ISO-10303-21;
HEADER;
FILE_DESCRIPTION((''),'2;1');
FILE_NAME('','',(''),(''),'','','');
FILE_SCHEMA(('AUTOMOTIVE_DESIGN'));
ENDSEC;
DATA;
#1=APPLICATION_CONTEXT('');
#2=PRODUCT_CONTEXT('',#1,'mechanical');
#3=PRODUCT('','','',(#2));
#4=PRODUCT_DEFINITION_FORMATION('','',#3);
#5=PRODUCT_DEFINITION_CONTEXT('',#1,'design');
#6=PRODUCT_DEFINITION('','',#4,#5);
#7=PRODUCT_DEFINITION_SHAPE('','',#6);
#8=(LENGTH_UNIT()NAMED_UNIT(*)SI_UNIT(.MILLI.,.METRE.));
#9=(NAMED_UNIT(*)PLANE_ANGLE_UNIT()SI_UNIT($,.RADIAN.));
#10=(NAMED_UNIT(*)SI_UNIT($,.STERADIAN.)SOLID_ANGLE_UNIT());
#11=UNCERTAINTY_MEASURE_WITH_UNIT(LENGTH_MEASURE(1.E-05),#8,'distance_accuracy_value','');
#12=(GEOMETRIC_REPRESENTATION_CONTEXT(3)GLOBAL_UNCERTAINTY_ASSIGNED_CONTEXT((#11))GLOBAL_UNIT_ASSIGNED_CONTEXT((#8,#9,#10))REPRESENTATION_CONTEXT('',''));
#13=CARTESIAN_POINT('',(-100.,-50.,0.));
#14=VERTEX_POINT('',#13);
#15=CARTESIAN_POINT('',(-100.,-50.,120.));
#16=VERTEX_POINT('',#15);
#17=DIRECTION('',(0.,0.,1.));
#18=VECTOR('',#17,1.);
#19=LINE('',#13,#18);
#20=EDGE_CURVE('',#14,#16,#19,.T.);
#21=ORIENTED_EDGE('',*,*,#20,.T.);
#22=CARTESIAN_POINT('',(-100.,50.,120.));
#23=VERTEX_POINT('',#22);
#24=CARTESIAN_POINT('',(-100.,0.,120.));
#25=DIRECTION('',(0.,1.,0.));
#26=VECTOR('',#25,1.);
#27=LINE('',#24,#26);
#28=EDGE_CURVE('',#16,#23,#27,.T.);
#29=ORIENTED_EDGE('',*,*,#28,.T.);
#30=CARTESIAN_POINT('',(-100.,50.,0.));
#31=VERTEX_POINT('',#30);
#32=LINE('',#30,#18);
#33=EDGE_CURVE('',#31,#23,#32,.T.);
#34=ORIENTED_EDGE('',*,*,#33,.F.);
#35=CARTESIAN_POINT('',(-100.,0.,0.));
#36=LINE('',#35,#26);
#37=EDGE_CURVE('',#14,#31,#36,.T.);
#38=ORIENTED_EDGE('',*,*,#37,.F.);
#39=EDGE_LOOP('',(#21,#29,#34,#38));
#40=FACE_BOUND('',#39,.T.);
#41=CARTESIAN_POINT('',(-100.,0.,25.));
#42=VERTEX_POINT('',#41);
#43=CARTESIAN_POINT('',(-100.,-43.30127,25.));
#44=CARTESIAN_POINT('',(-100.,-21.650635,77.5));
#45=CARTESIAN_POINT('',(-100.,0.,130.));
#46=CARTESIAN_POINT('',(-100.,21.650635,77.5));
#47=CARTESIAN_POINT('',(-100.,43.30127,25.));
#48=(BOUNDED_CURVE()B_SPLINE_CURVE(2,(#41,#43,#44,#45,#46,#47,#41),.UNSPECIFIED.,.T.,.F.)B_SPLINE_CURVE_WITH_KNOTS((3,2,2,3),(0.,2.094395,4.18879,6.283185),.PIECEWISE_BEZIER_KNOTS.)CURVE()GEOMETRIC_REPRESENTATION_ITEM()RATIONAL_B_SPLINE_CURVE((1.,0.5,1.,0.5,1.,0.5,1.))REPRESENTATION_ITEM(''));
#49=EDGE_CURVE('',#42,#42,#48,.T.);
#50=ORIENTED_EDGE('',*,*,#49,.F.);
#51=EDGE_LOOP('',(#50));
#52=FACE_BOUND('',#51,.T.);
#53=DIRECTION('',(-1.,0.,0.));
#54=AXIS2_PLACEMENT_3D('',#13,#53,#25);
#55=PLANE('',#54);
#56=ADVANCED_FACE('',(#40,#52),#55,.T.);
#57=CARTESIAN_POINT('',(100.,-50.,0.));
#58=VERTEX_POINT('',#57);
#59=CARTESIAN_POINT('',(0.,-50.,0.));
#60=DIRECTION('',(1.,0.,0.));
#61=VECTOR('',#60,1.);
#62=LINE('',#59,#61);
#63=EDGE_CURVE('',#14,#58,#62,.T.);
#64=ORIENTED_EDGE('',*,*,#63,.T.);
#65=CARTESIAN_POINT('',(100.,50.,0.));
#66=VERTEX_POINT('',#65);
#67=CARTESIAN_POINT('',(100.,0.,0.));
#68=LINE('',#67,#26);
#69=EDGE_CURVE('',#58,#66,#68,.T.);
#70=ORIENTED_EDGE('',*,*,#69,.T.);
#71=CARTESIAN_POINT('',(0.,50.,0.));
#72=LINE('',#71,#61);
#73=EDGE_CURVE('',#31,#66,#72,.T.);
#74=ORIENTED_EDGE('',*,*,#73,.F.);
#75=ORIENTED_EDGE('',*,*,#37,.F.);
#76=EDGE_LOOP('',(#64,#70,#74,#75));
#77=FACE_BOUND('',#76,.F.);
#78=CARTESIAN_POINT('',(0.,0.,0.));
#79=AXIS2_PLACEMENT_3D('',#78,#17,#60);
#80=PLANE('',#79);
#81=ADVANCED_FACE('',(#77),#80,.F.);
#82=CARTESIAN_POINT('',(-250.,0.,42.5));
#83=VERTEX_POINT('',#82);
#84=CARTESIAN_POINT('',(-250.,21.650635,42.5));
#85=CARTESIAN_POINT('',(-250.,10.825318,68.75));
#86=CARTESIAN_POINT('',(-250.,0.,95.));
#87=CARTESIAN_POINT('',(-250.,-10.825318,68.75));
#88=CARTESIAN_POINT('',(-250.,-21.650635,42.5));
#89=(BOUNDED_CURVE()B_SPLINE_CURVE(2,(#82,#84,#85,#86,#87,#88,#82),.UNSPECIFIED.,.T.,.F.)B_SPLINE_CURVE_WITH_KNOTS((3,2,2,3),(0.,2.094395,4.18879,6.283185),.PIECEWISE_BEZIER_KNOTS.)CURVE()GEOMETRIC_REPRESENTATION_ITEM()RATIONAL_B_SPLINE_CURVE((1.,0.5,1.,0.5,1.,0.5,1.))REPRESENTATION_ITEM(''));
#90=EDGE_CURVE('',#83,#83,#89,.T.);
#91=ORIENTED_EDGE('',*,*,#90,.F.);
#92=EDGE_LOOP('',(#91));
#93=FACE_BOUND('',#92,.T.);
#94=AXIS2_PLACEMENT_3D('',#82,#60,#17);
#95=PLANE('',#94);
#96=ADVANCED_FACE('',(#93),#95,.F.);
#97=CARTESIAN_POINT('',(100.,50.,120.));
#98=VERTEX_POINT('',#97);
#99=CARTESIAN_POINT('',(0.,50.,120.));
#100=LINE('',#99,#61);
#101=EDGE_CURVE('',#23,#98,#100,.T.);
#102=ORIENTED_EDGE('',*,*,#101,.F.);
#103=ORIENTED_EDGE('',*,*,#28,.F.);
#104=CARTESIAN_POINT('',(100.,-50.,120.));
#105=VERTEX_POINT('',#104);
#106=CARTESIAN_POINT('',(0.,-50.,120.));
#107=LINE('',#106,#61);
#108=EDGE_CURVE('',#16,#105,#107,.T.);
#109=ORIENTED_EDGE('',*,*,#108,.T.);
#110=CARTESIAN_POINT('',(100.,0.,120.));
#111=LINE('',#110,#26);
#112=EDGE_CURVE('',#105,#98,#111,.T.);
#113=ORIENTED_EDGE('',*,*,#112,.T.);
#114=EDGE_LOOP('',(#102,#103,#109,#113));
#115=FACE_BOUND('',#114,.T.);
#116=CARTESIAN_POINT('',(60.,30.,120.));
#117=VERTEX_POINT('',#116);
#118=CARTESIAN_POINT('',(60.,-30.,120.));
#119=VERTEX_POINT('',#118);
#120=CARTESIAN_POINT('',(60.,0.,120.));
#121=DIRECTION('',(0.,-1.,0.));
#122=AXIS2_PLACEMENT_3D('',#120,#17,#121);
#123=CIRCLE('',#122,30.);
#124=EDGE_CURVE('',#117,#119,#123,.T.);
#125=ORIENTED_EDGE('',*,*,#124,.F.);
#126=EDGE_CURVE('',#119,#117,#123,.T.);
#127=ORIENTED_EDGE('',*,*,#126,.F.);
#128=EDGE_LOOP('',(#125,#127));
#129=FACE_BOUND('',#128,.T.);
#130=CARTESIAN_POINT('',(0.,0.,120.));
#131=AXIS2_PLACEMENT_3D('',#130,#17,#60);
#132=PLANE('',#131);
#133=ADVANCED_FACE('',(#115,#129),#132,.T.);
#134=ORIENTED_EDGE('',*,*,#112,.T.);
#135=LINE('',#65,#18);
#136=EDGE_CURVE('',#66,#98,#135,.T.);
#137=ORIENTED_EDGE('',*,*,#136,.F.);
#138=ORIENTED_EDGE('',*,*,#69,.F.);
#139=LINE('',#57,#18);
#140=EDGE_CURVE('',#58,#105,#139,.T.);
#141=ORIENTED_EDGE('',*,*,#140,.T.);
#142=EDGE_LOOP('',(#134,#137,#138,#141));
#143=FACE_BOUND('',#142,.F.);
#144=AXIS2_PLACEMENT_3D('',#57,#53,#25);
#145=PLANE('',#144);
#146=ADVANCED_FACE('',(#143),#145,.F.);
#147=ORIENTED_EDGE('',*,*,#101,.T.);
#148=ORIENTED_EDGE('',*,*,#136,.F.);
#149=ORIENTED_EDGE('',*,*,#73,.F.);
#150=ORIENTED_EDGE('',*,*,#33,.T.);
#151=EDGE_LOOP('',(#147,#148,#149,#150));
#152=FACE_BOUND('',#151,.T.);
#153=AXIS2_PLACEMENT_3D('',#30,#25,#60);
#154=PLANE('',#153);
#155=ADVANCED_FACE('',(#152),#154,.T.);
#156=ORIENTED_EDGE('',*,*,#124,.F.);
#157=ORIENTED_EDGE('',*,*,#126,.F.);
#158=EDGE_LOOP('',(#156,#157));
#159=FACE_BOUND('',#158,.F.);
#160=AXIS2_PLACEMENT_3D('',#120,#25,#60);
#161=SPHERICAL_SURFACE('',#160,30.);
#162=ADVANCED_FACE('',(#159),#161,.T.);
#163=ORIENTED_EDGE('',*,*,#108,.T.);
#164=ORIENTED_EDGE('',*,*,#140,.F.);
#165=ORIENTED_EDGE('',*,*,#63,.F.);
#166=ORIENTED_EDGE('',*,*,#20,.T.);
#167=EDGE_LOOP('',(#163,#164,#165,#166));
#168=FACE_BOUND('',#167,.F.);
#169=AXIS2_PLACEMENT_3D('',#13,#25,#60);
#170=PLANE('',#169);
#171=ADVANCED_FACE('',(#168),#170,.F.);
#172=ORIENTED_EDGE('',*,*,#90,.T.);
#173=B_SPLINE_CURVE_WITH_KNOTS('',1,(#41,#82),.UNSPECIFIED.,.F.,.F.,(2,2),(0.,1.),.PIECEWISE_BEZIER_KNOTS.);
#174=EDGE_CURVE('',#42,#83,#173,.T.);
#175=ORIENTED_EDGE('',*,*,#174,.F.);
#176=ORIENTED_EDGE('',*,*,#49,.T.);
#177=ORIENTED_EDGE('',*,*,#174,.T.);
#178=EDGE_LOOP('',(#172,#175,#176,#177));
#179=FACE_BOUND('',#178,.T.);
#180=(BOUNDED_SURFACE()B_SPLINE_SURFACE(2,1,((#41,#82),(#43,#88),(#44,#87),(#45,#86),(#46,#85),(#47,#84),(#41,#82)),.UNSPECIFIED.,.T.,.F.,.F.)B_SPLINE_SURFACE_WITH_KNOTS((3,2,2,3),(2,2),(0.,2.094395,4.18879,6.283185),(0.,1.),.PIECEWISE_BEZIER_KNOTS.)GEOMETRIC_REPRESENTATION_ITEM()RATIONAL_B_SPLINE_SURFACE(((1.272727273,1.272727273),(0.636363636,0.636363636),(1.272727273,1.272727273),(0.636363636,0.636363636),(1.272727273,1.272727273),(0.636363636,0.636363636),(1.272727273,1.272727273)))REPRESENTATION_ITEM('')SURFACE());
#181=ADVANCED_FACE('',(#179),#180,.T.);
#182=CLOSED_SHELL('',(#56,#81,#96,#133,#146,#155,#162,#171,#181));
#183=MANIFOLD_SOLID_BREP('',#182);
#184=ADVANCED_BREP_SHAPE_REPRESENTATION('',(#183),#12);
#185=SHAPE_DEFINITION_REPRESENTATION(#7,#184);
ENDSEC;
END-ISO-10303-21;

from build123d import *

# Parameters (mm, degrees)
F0_W     = 200
F0_H     = 100
F1_DEPTH = 120


with BuildPart() as f1:
    # F0 (on Top) → F1 (new body)
    with BuildSketch(Plane.XY):
        Rectangle(F0_W, F0_H)
    extrude(amount=F1_DEPTH)

    # F2 (on face) → F3 (revolve)
    with BuildSketch(Plane.XY.offset(120)):
        with BuildLine():
            Line((60, 30), (60, -30))
            ThreePointArc((60, -30), (90, 0), (60, 30))
        make_face()
    revolve(axis=Axis((60, 0, 120), (0, -1, 0)))

    # F4 (on face) → F7 section 0
    with BuildSketch(Plane(origin=(-100, 0, 0), x_dir=(0, -1, 0), z_dir=(-1, 0, 0))):
        with BuildLine():
            add(Edge.make_bspline(
                [(0, 25), (43.30127, 25), (21.650635, 77.5), (0, 130), (-21.650635, 77.5), (-43.30127, 25), (0, 25)],
                knots=[0, 0, 0, 2.094395, 2.094395, 4.18879, 4.18879, 6.283185, 6.283185, 6.283185], degree=2, weights=[1, 0.5, 1, 0.5, 1, 0.5, 1]))
        make_face()
    # F6 (on offset) → F7 section 1
    with BuildSketch(Plane.YZ.offset(-250)):
        with BuildLine():
            add(Edge.make_bspline(
                [(0, 42.5), (21.650635, 42.5), (10.825318, 68.75), (0, 95), (-10.825318, 68.75), (-21.650635, 42.5), (0, 42.5)],
                knots=[0, 0, 0, 2.094395, 2.094395, 4.18879, 4.18879, 6.283185, 6.283185, 6.283185], degree=2, weights=[1, 0.5, 1, 0.5, 1, 0.5, 1]))
        make_face()
    loft()


solid = f1.part
